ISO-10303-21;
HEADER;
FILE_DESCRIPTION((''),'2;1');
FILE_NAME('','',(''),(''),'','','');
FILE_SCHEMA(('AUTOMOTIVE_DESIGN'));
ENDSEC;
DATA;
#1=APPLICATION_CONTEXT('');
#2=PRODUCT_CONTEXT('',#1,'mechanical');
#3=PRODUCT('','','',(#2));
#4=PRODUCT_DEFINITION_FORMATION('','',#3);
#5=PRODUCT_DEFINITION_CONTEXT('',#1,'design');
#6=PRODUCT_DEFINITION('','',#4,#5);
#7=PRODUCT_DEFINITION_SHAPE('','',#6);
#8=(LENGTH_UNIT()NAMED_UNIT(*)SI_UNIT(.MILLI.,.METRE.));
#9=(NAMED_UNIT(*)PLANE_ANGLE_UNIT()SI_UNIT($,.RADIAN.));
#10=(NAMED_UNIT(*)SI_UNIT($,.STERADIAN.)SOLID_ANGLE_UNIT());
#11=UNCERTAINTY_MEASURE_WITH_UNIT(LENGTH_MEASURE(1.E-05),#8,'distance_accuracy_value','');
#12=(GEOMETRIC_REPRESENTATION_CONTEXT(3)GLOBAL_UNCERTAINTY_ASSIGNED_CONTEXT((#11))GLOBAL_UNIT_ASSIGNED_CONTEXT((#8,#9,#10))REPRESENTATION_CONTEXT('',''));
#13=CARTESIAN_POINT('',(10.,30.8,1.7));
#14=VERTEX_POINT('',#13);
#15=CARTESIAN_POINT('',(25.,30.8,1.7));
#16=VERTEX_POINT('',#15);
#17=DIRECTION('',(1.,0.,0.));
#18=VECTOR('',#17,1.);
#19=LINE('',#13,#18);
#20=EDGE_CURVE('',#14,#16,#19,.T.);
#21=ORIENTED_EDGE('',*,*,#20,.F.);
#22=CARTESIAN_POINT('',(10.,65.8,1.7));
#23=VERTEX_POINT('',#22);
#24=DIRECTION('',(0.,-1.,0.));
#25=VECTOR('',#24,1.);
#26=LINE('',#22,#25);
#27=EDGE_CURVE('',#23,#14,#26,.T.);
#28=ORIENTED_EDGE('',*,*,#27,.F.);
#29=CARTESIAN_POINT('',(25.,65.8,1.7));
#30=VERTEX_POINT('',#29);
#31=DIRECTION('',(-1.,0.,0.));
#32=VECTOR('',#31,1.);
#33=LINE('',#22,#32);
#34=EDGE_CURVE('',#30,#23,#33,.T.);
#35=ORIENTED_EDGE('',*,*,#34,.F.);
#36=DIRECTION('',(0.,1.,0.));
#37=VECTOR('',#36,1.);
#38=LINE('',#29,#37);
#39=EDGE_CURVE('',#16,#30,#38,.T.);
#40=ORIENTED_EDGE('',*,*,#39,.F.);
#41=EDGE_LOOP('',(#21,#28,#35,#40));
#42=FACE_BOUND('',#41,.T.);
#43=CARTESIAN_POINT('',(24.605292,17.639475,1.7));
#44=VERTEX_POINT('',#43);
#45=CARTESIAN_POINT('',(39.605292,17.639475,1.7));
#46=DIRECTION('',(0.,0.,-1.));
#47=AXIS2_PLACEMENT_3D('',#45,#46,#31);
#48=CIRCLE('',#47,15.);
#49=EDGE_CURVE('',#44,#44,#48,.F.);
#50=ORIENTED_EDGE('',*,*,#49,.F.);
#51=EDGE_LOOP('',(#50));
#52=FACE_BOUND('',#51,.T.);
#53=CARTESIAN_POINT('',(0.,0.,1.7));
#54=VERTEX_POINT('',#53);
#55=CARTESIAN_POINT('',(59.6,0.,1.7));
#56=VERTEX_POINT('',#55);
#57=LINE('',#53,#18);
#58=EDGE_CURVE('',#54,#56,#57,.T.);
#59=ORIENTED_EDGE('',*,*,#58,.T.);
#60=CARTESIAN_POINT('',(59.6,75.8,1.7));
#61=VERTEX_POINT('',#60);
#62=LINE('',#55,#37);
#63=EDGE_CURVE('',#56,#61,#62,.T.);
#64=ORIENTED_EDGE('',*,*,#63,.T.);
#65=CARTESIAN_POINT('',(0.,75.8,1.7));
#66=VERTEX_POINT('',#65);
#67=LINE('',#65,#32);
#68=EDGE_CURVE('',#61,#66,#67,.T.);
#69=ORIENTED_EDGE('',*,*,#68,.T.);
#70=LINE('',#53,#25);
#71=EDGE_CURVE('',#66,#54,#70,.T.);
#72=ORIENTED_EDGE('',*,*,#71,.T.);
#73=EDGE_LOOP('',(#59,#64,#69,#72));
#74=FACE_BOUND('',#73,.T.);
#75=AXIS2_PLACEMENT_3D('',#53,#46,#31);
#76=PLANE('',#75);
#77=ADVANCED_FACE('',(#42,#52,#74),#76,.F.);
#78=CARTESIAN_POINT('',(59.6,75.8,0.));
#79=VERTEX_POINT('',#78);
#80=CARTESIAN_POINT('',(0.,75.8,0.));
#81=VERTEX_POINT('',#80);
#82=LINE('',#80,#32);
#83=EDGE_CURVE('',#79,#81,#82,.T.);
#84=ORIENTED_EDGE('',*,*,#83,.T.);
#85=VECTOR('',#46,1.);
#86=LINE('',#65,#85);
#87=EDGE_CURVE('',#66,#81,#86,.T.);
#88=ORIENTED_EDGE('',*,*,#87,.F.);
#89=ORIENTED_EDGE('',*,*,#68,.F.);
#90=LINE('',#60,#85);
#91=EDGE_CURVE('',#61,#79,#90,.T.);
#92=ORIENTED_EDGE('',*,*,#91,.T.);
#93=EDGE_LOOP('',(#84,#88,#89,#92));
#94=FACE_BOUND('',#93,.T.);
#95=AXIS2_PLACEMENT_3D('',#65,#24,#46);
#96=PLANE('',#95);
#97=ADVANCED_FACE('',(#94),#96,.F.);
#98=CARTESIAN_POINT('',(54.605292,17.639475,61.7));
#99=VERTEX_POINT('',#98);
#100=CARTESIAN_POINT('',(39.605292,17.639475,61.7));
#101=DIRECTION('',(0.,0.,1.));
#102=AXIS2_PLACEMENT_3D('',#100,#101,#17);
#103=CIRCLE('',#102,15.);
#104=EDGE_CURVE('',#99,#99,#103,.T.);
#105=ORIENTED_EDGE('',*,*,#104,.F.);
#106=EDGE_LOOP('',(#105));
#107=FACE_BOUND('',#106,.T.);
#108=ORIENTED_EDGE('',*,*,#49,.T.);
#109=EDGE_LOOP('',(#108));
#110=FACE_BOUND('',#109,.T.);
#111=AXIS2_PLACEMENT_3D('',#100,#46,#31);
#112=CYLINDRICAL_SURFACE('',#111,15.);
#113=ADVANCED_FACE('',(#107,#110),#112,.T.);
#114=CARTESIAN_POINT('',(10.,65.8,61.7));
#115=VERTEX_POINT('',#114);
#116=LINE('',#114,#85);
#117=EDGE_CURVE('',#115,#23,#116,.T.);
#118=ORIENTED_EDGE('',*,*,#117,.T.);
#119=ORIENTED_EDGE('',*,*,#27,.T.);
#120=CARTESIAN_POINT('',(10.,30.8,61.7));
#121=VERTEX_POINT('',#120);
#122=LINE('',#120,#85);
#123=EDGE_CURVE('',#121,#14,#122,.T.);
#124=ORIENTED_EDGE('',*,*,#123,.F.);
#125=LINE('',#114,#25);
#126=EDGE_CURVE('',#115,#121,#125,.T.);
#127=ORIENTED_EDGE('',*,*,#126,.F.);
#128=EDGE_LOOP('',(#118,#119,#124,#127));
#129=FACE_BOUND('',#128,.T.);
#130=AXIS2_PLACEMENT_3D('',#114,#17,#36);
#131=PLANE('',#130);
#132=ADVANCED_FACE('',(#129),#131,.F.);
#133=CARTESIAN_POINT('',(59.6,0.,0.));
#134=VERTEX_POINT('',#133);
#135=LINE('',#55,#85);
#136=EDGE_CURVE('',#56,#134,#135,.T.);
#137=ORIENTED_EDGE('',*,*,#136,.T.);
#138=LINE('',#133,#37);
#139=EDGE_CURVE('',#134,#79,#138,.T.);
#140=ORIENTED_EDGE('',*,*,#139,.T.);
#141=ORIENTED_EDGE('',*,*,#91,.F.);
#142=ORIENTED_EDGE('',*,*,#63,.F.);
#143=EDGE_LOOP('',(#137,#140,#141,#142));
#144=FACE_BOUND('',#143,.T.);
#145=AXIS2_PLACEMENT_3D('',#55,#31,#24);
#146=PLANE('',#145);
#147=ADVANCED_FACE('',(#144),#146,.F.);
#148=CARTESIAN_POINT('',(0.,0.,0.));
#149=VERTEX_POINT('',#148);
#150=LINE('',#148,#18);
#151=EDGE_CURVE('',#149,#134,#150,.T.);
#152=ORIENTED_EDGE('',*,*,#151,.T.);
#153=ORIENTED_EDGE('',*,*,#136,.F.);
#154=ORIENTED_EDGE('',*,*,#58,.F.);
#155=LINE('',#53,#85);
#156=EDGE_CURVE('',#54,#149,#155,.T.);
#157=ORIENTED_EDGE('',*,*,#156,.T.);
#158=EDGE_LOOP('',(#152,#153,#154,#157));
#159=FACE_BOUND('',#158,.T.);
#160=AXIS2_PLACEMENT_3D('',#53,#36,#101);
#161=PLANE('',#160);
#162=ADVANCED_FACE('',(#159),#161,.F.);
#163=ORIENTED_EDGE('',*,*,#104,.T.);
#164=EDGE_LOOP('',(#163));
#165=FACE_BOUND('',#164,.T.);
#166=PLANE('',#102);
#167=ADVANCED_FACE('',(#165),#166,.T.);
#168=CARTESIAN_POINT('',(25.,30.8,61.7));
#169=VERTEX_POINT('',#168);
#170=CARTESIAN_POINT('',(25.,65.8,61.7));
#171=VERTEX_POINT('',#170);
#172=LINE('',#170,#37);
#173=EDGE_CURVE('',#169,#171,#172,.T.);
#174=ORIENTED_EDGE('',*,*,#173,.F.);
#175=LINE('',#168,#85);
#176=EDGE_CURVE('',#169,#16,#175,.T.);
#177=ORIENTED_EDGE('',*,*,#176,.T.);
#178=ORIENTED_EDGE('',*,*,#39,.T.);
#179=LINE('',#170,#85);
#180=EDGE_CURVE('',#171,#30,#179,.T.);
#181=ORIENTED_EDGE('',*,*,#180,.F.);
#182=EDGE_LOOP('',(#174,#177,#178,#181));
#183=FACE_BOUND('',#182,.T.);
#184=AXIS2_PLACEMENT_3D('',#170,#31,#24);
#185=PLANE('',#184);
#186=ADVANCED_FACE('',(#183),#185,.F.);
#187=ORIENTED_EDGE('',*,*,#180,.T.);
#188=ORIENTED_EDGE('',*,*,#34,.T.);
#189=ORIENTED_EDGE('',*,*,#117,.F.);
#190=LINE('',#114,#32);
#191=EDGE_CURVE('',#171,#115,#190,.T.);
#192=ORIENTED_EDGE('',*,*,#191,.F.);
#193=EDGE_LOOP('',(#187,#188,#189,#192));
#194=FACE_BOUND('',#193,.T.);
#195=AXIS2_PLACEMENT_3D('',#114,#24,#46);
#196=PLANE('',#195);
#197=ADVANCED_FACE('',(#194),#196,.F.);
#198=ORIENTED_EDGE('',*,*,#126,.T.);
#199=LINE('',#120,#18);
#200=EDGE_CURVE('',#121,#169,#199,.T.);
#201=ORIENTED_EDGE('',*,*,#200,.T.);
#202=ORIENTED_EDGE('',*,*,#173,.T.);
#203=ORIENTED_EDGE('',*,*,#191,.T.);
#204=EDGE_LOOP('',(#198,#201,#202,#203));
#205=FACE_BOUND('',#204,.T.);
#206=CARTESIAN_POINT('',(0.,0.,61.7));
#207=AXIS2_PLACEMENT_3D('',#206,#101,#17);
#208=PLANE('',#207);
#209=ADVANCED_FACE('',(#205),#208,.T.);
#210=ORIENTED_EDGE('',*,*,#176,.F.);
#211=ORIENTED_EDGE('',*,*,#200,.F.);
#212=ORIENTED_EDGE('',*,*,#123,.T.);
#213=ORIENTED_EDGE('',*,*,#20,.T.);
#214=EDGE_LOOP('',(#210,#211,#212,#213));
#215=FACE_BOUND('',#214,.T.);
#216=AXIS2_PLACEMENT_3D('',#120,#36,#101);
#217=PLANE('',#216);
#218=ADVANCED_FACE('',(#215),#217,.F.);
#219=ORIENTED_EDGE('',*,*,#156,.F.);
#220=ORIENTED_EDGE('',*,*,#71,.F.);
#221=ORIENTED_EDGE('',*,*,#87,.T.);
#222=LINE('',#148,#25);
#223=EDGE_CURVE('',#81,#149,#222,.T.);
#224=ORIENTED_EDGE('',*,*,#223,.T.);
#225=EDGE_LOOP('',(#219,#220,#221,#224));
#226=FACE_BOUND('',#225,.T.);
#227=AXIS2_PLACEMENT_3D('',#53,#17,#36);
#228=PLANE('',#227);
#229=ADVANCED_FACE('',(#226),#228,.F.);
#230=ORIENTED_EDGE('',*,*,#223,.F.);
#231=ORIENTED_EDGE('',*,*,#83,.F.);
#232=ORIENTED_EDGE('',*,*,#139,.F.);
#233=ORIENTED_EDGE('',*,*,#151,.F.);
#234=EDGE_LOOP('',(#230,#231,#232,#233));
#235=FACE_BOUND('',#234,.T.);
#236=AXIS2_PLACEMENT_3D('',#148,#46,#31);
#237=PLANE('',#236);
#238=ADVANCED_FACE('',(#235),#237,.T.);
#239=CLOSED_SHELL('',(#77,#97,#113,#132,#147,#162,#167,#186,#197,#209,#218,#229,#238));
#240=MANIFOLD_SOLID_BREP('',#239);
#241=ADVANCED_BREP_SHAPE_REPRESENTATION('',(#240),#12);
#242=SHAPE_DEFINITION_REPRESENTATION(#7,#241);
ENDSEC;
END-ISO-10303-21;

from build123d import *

# Parameters (mm, degrees)
ESBO_O1_W                = 59.6
ESBO_O1_H                = 75.8
RESSALTO_EXTRUS_O1_DEPTH = 1.7
ESBO_O2_W                = 15
ESBO_O2_H                = 35
RESSALTO_EXTRUS_O2_DEPTH = 60
ESBO_O5_R                = 15
RESSALTO_EXTRUS_O4_DEPTH = 60


with BuildPart() as part:
    # Esboço1 → Ressalto-extrusão1 (new body)
    with BuildSketch(Plane.XY):
        with Locations((29.8, 37.9)):
            Rectangle(ESBO_O1_W, ESBO_O1_H)
    extrude(amount=RESSALTO_EXTRUS_O1_DEPTH)

    # Esboço2 → Ressalto-extrusão2 (add)
    with BuildSketch(Plane.XY.offset(1.7)):
        with Locations((17.5, 48.3)):
            Rectangle(ESBO_O2_W, ESBO_O2_H)
    extrude(amount=RESSALTO_EXTRUS_O2_DEPTH)

    # Esboço5 → Ressalto-extrusão4 (add)
    with BuildSketch(Plane.XY.offset(1.7)):
        with Locations(Location((39.605292245, 17.63947517, 0), (0, 0, 180))):
            Circle(ESBO_O5_R)
    extrude(amount=RESSALTO_EXTRUS_O4_DEPTH)


solid = part.part
